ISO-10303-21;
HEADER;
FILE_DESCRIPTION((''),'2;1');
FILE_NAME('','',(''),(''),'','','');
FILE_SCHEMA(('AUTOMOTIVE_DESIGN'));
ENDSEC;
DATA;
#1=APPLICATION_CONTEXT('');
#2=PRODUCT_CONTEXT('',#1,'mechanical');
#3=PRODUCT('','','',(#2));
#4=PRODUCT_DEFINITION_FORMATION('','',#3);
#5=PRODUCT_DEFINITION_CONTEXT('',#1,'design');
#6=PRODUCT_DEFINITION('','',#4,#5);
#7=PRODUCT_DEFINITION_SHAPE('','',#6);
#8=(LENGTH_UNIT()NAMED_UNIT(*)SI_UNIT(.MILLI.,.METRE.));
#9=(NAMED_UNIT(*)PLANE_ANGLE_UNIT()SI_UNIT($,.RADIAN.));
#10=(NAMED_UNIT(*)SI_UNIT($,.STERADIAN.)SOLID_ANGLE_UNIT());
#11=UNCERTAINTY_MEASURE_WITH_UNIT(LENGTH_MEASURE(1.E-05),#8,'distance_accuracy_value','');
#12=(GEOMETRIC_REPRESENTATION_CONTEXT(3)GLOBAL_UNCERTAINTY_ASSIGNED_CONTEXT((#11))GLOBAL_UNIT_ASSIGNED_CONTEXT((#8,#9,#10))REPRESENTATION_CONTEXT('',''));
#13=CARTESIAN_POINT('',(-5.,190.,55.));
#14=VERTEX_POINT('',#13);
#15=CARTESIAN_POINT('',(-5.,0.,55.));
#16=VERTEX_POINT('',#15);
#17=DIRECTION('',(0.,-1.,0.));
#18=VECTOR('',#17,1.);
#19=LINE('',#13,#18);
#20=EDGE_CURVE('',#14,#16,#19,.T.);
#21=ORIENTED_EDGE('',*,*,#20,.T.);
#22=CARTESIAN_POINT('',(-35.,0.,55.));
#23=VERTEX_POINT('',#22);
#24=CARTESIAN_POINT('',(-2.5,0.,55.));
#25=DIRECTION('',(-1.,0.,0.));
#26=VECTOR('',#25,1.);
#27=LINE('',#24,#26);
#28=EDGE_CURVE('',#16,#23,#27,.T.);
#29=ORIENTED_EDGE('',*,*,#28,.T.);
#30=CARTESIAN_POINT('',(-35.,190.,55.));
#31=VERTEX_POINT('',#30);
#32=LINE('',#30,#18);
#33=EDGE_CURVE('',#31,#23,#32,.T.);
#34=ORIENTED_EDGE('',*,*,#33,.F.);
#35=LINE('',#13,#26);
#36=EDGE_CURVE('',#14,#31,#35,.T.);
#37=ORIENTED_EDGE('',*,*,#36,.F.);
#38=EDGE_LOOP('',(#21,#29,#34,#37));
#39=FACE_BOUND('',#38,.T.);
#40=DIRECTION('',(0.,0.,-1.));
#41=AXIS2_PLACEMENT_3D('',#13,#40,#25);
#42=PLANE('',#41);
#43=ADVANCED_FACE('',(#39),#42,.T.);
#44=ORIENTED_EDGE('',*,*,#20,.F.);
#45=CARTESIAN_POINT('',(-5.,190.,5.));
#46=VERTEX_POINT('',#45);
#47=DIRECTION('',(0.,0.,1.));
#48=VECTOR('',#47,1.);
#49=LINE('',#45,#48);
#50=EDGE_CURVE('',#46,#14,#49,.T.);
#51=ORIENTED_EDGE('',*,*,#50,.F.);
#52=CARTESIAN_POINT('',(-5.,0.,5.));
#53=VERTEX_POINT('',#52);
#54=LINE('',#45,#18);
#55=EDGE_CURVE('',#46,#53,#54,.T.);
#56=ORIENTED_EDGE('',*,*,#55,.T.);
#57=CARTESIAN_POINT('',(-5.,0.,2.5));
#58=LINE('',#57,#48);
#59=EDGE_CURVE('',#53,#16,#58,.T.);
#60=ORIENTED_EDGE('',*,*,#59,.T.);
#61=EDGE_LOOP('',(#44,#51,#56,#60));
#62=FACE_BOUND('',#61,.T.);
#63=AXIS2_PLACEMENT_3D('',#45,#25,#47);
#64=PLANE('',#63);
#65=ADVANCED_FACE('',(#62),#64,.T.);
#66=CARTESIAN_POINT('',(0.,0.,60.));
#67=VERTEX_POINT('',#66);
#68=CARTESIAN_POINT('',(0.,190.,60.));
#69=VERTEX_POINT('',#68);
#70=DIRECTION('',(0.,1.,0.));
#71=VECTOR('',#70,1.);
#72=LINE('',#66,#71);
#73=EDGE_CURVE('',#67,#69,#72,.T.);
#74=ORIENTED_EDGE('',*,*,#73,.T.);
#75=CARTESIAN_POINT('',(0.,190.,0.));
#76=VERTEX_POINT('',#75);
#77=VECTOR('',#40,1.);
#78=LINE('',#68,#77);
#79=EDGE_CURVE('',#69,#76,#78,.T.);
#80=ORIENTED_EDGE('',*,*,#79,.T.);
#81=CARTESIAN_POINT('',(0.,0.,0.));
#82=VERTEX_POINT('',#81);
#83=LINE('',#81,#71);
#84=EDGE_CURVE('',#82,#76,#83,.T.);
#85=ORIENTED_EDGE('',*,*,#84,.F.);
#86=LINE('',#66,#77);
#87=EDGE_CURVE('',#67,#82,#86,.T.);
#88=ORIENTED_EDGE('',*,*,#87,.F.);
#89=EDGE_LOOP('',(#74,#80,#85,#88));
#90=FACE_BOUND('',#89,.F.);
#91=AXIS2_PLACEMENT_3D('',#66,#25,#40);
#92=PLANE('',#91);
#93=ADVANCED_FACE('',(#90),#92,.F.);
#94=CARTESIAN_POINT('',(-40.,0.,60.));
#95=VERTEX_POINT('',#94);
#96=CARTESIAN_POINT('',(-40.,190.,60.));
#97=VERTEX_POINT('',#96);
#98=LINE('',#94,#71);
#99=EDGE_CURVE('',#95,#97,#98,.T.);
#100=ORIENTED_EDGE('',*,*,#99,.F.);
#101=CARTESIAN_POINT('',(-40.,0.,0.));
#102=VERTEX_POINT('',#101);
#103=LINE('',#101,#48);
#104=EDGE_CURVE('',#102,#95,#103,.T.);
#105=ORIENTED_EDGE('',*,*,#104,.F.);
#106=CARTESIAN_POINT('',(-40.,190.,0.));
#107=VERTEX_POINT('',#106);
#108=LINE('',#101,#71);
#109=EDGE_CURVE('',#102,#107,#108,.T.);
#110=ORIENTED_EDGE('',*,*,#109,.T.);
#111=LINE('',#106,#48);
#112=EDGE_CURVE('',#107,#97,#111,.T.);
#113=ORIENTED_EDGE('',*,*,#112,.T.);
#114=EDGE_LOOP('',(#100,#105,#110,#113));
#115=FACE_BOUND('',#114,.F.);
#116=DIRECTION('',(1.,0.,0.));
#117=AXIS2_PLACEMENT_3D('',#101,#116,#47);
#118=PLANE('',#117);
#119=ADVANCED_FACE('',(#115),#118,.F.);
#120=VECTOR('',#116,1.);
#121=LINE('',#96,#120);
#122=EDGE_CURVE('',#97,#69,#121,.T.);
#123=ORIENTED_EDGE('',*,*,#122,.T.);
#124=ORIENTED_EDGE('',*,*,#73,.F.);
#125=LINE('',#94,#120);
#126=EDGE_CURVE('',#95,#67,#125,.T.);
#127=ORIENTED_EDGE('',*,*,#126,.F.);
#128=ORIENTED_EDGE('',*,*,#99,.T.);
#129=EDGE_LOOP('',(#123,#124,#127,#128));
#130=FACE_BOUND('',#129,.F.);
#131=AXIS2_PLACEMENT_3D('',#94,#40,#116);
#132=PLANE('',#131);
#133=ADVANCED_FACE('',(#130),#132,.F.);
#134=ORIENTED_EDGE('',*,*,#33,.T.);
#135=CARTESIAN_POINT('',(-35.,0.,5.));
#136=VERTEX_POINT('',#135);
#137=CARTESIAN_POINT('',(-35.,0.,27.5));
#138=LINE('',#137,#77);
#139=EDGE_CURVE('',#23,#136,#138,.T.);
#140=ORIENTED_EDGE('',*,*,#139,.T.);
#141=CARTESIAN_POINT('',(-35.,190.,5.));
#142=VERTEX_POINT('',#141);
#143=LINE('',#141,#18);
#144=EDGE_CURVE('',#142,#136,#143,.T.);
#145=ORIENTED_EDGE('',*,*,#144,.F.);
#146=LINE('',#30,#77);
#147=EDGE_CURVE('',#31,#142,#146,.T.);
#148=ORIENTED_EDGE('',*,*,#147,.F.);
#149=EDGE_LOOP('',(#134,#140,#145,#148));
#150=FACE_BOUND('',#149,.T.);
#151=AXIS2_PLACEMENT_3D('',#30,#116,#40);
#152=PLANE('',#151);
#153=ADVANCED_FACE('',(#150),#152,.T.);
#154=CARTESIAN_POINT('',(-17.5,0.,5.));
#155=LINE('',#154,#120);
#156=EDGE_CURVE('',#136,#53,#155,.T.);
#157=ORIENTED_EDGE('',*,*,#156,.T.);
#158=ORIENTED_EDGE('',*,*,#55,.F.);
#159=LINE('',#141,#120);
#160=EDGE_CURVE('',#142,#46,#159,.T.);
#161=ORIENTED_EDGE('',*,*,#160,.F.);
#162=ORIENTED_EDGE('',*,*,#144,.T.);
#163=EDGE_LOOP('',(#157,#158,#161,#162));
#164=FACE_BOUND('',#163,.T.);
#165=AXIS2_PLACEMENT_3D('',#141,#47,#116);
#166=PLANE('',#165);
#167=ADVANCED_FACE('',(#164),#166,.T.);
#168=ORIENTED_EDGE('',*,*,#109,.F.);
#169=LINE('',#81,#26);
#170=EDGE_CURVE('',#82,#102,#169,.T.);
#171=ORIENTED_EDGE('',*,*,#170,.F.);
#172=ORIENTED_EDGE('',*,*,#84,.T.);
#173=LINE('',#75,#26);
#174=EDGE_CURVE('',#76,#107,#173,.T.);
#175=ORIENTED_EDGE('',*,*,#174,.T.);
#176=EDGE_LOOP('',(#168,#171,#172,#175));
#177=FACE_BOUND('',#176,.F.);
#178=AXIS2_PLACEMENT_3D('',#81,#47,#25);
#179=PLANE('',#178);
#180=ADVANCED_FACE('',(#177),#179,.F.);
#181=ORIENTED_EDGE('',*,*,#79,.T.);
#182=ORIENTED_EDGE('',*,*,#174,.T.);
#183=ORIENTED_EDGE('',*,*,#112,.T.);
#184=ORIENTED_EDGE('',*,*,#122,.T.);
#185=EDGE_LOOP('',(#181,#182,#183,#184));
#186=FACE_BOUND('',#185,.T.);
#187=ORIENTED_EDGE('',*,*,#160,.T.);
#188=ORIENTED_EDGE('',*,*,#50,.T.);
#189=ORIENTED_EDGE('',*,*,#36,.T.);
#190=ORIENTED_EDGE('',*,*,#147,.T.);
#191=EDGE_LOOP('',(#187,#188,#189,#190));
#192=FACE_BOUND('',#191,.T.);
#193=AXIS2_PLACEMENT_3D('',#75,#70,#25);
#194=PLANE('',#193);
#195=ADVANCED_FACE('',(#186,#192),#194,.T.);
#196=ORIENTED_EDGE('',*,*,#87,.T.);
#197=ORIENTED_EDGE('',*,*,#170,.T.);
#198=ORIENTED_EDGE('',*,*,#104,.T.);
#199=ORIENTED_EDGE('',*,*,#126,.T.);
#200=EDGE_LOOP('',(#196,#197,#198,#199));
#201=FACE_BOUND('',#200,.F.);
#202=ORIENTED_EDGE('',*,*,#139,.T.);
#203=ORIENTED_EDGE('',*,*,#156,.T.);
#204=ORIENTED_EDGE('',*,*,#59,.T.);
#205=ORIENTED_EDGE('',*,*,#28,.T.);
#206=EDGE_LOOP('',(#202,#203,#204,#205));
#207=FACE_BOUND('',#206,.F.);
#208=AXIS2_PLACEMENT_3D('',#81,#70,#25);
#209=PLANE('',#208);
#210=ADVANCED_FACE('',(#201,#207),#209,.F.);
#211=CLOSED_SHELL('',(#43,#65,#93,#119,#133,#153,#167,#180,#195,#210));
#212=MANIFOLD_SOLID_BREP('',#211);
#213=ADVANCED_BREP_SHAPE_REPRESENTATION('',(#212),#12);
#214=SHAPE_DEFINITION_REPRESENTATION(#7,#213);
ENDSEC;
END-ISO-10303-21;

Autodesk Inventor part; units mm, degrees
ref_plane "YZ Plane" through (0, 0, 0) normal (1, 0, 0) x (0, 1, 0)
ref_plane "XZ Plane" through (0, 0, 0) normal (0, 1, 0) x (-1, 0, 0)
ref_plane "XY Plane" through (0, 0, 0) normal (0, 0, 1) x (1, 0, 0)
sketch "Эскиз1" plane through (0, 0, 0) normal (0, 1, 0) x (-1, 0, 0)
  line L0 (0, 0) -> (40, 0)
  line L1 (40, 0) -> (40, 60)
  line L2 (40, 60) -> (0, 60)
  line L3 (0, 60) -> (0, 0)
  dimension "d0" = 60
  dimension "d1" = 40
extrude "Выдавливание1" add sketch "Эскиз1" along normal blind 190
sketch "Эскиз2" plane through (0, 190, 0) normal (0, 1, 0) x (1, 0, 0)
  line L0 (-35, -5) -> (-5, -5)
  line L1 (-5, -5) -> (-5, -55)
  line L2 (-5, -55) -> (-35, -55)
  line L3 (-35, -55) -> (-35, -5)
  line L4 (-40, 0) -> (-40, -60) projected
  line L5 (0, -60) -> (0, 0) projected
  line L6 (0, 0) -> (-40, 0) projected
  line L7 (-40, -60) -> (0, -60) projected
  dimension "d4" = 5
  dimension "d5" = 5
  dimension "d6" = 5
  dimension "d7" = 5
extrude "Выдавливание2" cut sketch "Эскиз2" against normal through all contours L0 L1 L2 L3
sketch "Эскиз3" plane through (-40, 0, 60) normal (0, 0, 1) x (1, 0, 0)
  point P0 (40, 0)
equation "\"d5\" = d4"
equation "\"d6\" = d4"
equation "\"d7\" = d4"
properties part number "БРУС"
